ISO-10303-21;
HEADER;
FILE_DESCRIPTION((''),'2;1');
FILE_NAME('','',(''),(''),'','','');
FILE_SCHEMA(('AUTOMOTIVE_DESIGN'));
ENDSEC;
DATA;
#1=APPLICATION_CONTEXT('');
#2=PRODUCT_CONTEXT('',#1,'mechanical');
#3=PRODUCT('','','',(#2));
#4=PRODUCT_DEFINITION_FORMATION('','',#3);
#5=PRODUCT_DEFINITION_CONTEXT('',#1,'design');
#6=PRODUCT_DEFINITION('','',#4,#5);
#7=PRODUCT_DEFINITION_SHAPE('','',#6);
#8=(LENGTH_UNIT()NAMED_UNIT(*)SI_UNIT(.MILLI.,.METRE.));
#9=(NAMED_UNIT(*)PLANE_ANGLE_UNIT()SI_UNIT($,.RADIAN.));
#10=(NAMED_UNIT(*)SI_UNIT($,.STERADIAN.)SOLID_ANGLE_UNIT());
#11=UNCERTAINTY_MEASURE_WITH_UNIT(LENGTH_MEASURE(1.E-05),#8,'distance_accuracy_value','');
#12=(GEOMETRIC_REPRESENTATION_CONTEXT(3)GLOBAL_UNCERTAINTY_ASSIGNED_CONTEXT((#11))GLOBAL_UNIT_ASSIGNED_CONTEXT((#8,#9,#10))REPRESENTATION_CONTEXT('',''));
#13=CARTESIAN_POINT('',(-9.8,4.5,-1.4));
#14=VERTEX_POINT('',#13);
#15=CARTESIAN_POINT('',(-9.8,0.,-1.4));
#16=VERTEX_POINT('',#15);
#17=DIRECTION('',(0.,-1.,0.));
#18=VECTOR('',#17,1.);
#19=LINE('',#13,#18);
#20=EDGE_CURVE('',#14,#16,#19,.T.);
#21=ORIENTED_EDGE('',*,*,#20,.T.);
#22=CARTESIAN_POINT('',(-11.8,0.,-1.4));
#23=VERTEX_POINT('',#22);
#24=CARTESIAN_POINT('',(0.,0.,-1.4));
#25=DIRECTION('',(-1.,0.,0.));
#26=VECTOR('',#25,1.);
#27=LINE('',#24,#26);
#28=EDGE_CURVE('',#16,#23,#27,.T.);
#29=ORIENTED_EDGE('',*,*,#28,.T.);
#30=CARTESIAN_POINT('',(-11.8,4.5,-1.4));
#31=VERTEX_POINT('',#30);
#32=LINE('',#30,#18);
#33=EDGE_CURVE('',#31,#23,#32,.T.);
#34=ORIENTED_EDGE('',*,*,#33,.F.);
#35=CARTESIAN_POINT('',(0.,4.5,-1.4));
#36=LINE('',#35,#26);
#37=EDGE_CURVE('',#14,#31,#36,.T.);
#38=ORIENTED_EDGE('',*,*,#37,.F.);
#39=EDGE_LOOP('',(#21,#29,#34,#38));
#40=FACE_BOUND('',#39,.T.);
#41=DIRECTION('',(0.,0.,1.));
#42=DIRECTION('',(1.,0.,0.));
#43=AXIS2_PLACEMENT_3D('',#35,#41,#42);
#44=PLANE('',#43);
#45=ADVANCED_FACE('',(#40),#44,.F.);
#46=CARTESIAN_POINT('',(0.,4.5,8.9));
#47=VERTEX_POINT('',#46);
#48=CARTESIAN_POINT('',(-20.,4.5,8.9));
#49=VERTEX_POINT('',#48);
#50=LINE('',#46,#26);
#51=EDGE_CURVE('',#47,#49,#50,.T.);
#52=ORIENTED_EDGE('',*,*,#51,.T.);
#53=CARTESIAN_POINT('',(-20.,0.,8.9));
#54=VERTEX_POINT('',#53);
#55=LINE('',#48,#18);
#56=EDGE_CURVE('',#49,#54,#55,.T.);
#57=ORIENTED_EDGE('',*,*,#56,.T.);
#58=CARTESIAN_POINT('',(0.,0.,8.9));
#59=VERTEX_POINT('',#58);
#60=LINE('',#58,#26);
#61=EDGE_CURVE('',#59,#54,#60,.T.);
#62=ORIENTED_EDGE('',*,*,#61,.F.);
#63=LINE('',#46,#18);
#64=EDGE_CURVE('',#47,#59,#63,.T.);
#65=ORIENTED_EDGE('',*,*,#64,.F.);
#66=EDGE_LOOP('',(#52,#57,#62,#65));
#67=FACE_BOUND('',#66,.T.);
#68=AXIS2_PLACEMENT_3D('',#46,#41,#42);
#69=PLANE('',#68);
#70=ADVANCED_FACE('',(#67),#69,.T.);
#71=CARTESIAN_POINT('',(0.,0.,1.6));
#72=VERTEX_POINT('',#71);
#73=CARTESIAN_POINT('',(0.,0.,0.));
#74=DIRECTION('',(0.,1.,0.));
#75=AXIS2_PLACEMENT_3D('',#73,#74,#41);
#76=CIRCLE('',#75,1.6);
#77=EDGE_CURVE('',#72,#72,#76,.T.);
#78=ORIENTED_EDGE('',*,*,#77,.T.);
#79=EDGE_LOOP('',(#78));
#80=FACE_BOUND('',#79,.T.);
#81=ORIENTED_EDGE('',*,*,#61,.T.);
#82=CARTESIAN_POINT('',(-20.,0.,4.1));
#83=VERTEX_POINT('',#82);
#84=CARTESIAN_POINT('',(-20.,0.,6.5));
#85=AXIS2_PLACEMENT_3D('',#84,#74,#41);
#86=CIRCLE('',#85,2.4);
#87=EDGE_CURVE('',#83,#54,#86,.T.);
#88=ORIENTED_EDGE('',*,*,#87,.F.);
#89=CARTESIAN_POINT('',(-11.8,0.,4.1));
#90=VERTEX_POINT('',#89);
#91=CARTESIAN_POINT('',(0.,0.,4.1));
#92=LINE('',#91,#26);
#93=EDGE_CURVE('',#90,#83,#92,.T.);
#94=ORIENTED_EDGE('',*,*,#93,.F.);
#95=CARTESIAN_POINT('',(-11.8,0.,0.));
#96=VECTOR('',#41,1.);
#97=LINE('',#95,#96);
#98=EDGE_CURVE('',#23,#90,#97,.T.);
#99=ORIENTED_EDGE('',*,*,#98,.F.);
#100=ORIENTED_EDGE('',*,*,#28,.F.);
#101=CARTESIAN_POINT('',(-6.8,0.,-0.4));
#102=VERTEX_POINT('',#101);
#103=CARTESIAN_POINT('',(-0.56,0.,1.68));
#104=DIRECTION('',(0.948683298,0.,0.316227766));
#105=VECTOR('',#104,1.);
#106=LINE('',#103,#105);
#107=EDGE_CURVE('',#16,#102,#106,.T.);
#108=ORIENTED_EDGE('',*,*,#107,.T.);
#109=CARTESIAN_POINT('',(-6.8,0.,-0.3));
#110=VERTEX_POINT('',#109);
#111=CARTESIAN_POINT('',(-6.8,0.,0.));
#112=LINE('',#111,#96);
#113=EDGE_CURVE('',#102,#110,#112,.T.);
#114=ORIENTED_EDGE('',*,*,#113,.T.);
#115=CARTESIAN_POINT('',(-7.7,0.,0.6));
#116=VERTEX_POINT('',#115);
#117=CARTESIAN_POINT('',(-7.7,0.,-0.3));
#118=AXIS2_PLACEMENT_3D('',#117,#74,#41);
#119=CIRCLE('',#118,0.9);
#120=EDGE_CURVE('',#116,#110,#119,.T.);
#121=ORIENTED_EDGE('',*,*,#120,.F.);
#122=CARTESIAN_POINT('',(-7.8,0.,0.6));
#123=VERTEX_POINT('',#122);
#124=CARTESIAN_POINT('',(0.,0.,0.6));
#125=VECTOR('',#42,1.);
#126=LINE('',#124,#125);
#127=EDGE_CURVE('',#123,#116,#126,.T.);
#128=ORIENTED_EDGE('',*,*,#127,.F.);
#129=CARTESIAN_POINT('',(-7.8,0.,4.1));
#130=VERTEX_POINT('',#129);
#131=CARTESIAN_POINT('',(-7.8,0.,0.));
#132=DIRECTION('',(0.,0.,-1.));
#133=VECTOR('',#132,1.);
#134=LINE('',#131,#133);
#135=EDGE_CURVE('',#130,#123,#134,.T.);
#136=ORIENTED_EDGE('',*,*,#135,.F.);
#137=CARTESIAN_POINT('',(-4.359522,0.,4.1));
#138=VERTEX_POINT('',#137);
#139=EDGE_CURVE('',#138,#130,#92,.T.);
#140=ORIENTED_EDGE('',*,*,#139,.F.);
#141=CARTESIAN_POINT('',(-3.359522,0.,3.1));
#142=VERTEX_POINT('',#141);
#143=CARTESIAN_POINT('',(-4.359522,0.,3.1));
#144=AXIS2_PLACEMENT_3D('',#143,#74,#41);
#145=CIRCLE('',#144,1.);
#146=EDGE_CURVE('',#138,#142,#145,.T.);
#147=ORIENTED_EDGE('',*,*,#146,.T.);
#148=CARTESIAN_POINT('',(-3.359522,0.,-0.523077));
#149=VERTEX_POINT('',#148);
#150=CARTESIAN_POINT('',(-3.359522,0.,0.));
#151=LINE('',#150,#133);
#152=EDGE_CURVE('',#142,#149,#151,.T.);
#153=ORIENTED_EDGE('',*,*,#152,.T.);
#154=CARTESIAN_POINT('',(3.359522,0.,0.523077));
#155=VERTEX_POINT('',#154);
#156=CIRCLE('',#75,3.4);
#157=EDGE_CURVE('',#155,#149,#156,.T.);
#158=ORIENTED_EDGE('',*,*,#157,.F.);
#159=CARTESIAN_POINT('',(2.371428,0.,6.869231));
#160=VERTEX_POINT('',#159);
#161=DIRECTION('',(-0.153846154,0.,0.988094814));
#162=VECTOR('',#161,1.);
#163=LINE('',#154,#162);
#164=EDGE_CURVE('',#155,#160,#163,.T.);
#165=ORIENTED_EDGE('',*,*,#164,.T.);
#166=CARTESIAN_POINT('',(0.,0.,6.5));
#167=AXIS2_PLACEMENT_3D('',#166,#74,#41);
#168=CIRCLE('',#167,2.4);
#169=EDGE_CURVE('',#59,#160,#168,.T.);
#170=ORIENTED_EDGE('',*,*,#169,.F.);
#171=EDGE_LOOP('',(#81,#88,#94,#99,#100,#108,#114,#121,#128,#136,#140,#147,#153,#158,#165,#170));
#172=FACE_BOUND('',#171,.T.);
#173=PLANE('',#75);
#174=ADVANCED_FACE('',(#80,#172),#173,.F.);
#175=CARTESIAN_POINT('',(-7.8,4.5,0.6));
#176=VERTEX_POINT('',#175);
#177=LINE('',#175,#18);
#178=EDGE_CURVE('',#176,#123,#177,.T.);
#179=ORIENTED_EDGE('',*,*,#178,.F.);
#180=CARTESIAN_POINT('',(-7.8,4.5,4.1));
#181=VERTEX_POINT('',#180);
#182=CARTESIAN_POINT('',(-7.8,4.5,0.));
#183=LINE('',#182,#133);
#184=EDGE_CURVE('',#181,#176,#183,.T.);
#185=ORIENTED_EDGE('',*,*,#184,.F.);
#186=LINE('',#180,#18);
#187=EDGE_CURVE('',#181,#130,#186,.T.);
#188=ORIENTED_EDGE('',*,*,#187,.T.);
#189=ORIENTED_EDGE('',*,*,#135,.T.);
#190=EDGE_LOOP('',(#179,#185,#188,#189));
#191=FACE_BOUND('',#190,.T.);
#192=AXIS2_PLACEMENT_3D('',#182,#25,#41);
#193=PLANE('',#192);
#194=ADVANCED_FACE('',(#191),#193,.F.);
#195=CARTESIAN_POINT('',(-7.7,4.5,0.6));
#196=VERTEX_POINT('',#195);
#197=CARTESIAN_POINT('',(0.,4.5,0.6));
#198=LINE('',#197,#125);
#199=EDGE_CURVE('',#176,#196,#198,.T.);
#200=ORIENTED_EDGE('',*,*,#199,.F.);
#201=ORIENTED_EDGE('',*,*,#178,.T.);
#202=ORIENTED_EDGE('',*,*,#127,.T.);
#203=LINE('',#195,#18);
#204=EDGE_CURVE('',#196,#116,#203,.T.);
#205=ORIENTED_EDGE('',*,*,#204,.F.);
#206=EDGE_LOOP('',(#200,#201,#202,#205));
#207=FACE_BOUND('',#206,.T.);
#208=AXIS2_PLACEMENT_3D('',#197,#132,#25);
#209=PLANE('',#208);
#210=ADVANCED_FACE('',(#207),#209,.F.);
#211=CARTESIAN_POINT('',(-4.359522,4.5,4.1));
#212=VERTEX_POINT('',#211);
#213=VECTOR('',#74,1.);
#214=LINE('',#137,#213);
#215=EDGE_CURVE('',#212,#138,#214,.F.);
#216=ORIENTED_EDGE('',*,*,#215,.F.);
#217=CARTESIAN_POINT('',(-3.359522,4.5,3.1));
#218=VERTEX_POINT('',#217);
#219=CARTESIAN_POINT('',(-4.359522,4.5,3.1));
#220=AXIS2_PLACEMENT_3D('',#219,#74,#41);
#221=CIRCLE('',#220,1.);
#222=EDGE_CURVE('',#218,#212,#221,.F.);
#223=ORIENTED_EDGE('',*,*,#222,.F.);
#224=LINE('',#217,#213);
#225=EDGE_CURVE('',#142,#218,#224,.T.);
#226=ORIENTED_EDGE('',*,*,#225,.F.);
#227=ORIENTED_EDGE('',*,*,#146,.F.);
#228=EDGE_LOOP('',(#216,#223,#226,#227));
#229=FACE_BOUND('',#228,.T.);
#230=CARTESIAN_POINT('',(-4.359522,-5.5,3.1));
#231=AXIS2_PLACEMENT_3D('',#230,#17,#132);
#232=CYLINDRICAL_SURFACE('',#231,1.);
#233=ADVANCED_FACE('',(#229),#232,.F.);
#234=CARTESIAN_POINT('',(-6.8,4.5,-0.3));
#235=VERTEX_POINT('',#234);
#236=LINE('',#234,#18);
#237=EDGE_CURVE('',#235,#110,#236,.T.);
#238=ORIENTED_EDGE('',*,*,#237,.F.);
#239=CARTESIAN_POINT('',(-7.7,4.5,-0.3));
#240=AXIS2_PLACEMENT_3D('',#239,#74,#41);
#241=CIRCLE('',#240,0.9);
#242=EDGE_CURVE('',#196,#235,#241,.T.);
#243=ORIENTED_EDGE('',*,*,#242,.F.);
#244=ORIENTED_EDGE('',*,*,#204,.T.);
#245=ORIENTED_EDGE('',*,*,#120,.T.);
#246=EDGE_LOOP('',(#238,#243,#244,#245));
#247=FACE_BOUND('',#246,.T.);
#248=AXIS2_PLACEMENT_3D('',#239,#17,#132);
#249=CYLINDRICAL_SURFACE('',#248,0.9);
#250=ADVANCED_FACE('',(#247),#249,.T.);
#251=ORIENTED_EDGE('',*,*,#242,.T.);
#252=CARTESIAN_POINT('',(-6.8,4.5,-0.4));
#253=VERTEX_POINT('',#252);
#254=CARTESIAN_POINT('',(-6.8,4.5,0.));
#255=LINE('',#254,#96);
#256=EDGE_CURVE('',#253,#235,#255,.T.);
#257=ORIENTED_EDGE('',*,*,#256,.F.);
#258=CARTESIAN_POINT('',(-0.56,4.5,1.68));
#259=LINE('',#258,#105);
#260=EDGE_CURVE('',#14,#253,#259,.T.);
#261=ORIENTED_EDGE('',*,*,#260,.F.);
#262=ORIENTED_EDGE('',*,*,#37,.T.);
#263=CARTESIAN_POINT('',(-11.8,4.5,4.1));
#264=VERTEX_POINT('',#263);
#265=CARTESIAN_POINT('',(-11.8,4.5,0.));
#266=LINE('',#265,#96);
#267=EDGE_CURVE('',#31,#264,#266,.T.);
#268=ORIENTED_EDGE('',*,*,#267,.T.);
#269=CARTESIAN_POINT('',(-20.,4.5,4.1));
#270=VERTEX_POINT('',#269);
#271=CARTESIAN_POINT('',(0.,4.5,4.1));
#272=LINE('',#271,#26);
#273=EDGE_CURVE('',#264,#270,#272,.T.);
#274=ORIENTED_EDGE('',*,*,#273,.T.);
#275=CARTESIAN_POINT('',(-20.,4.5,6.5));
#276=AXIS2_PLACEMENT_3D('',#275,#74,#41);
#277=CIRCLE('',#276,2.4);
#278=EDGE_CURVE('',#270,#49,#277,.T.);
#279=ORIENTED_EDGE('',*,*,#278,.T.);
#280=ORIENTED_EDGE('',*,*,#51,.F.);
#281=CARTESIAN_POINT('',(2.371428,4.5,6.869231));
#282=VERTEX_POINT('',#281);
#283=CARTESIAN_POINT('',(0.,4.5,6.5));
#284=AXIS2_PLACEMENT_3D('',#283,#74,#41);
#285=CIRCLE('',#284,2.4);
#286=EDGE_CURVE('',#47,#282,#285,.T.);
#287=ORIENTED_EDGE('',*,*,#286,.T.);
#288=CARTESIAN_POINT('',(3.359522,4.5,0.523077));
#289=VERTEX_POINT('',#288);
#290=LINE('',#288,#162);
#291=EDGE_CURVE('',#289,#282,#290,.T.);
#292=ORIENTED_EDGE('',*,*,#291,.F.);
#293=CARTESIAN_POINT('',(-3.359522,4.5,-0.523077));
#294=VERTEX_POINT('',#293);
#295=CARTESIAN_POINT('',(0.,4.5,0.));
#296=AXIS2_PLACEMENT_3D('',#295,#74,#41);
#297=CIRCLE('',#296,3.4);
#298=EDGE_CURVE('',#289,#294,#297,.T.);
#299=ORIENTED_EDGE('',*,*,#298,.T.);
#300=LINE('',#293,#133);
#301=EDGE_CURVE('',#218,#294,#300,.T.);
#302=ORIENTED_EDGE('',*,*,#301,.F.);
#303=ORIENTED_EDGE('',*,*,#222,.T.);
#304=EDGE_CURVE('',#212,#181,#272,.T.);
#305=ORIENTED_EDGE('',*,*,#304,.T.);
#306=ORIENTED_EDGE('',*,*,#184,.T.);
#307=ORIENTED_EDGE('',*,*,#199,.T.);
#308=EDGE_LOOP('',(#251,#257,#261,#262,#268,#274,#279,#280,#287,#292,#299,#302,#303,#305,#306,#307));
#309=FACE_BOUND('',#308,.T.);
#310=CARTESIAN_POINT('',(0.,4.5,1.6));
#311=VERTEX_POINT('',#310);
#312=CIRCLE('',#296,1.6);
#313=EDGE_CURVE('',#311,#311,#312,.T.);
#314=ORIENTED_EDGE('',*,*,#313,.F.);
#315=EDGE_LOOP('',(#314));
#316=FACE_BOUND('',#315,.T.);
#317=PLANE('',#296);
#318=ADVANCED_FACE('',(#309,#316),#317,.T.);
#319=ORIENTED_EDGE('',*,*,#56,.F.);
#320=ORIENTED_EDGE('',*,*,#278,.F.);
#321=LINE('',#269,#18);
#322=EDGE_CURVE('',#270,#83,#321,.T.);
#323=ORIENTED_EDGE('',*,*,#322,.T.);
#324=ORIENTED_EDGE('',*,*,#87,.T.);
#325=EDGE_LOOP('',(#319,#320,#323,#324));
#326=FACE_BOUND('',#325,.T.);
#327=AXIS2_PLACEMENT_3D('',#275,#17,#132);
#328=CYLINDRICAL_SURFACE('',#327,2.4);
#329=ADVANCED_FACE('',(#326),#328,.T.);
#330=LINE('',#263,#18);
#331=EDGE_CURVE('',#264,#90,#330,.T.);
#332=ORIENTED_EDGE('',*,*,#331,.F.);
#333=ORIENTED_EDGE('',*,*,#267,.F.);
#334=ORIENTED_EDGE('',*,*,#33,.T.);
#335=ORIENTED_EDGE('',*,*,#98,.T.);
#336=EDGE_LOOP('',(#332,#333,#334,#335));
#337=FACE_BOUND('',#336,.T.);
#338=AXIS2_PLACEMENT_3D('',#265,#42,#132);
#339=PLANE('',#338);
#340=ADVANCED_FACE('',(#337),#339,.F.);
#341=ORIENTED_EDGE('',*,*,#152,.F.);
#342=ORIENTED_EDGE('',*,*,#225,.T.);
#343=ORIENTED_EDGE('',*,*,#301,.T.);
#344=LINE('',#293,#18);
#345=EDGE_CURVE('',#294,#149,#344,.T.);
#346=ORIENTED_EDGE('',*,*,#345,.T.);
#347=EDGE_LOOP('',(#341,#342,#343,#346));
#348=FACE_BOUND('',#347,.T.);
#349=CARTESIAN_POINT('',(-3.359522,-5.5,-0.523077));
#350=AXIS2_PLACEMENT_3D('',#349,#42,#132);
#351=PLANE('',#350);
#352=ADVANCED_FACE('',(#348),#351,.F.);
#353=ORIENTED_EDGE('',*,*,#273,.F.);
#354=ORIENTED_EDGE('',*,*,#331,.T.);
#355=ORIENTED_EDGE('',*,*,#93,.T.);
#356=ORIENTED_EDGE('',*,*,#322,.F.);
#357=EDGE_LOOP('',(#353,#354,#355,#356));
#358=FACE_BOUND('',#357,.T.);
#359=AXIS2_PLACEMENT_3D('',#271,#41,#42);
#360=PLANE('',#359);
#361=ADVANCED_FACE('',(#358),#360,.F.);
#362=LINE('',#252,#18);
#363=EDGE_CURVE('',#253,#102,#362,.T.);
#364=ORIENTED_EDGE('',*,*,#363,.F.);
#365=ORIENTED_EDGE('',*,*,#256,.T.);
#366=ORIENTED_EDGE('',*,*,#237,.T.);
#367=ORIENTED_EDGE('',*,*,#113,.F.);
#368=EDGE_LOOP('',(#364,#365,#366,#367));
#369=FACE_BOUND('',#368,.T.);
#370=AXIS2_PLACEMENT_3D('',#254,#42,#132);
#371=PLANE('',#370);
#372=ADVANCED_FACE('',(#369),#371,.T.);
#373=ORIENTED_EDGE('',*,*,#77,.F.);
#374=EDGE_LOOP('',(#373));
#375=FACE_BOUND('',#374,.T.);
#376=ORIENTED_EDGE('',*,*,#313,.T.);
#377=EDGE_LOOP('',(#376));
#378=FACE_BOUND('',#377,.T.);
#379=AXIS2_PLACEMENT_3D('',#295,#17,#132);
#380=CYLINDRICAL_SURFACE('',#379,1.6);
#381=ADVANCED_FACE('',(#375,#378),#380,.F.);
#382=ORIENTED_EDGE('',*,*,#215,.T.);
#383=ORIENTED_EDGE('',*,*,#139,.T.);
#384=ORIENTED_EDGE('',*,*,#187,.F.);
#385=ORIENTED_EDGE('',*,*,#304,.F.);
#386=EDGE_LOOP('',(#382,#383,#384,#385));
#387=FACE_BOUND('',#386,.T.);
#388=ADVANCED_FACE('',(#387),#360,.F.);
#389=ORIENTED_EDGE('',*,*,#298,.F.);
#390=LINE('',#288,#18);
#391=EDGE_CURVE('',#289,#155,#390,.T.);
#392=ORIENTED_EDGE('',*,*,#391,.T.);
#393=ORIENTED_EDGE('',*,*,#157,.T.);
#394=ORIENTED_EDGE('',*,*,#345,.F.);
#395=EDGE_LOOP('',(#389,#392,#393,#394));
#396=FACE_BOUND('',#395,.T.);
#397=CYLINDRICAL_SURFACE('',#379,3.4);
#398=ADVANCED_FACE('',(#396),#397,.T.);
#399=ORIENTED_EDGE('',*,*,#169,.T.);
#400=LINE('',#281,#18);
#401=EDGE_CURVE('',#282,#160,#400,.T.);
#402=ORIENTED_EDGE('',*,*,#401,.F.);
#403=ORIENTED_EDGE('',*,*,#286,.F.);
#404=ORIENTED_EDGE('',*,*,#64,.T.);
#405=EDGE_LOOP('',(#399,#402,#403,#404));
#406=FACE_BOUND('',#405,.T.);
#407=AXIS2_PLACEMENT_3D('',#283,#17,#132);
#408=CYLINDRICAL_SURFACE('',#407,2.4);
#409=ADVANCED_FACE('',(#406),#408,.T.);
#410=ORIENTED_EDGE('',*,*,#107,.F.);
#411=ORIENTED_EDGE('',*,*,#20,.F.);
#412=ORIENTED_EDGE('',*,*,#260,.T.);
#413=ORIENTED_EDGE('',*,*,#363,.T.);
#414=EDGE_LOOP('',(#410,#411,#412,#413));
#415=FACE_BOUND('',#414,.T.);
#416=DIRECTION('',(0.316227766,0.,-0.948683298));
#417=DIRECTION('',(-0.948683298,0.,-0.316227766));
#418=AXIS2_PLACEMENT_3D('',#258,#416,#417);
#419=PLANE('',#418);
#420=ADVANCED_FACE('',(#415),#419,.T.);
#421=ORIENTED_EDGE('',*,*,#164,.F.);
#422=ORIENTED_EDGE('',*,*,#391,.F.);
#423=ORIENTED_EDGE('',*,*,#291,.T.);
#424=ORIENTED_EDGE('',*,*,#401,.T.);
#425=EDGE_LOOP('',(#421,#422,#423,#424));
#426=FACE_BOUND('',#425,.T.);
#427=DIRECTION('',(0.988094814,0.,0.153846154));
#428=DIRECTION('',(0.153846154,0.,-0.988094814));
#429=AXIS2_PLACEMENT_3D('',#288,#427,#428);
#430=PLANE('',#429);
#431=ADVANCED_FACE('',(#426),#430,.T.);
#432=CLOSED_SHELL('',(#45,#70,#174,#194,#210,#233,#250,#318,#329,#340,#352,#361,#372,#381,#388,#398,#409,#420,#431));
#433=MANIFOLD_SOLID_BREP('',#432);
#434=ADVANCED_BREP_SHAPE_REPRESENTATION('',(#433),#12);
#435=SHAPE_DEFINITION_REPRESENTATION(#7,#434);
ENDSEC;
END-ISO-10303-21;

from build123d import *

# Parameters (mm, degrees)
SKETCH1_R           = 1.6
BOSS_EXTRUDE1_DEPTH = 4.5
CUT_EXTRUDE1_DEPTH  = 10
FILLET1_R           = 1


with BuildPart() as part:
    # Sketch1 → Boss-Extrude1 (new body)
    with BuildSketch(Plane(origin=(0, 0, 0), x_dir=(1, 0, 0), z_dir=(0, 1, 0))):
        with BuildLine():
            Line((3.359522367, -0.523076923), (2.371427553, -6.869230769))
            ThreePointArc((2.371427553, -6.869230769), (1.561064725, -8.322930861), (0, -8.9))
            Line((0, -8.9), (-20, -8.9))
            ThreePointArc((-20, -8.9), (-22.4, -6.5), (-20, -4.1))
            Line((-20, -4.1), (-11.8, -4.1))
            Line((-11.8, -4.1), (-11.8, 1.4))
            Line((-11.8, 1.4), (-9.8, 1.4))
            Line((-9.8, 1.4), (-6.8, 0.4))
            Line((-6.8, 0.4), (-6.8, 0.3))
            ThreePointArc((-6.8, 0.3), (-7.063603897, -0.336396103), (-7.7, -0.6))
            Line((-7.7, -0.6), (-7.8, -0.6))
            Line((-7.8, -0.6), (-7.8, -4.1))
            Line((-7.8, -4.1), (-4.079334467, -4.1))
            Line((-4.079334467, -4.1), (-3.359522367, 0.523076923))
            ThreePointArc((-3.359522367, 0.523076923), (0.523076923, 3.359522367), (3.359522367, -0.523076923))
        make_face()
        with Locations(Location((0, 0, 0), (0, 0, 270))):
            Circle(SKETCH1_R, mode=Mode.SUBTRACT)
    extrude(amount=BOSS_EXTRUDE1_DEPTH)

    # Sketch2 → Cut-Extrude1 (cut)
    with BuildSketch(Plane(origin=(0, 4.5, 0), x_dir=(1, 0, 0), z_dir=(0, 1, 0))):
        Polygon((-3.359522367, 0.523076923), (-3.359522367, -4.1), (-4.079334467, -4.1), align=None)
    extrude(amount=-CUT_EXTRUDE1_DEPTH, mode=Mode.SUBTRACT)

    # Fillet1
    fillet1_edges = [part.edges().sort_by_distance(p)[0] for p in [
        (-3.359522367, 2.25, 4.1),
    ]]
    fillet(fillet1_edges, radius=FILLET1_R)


solid = part.part
